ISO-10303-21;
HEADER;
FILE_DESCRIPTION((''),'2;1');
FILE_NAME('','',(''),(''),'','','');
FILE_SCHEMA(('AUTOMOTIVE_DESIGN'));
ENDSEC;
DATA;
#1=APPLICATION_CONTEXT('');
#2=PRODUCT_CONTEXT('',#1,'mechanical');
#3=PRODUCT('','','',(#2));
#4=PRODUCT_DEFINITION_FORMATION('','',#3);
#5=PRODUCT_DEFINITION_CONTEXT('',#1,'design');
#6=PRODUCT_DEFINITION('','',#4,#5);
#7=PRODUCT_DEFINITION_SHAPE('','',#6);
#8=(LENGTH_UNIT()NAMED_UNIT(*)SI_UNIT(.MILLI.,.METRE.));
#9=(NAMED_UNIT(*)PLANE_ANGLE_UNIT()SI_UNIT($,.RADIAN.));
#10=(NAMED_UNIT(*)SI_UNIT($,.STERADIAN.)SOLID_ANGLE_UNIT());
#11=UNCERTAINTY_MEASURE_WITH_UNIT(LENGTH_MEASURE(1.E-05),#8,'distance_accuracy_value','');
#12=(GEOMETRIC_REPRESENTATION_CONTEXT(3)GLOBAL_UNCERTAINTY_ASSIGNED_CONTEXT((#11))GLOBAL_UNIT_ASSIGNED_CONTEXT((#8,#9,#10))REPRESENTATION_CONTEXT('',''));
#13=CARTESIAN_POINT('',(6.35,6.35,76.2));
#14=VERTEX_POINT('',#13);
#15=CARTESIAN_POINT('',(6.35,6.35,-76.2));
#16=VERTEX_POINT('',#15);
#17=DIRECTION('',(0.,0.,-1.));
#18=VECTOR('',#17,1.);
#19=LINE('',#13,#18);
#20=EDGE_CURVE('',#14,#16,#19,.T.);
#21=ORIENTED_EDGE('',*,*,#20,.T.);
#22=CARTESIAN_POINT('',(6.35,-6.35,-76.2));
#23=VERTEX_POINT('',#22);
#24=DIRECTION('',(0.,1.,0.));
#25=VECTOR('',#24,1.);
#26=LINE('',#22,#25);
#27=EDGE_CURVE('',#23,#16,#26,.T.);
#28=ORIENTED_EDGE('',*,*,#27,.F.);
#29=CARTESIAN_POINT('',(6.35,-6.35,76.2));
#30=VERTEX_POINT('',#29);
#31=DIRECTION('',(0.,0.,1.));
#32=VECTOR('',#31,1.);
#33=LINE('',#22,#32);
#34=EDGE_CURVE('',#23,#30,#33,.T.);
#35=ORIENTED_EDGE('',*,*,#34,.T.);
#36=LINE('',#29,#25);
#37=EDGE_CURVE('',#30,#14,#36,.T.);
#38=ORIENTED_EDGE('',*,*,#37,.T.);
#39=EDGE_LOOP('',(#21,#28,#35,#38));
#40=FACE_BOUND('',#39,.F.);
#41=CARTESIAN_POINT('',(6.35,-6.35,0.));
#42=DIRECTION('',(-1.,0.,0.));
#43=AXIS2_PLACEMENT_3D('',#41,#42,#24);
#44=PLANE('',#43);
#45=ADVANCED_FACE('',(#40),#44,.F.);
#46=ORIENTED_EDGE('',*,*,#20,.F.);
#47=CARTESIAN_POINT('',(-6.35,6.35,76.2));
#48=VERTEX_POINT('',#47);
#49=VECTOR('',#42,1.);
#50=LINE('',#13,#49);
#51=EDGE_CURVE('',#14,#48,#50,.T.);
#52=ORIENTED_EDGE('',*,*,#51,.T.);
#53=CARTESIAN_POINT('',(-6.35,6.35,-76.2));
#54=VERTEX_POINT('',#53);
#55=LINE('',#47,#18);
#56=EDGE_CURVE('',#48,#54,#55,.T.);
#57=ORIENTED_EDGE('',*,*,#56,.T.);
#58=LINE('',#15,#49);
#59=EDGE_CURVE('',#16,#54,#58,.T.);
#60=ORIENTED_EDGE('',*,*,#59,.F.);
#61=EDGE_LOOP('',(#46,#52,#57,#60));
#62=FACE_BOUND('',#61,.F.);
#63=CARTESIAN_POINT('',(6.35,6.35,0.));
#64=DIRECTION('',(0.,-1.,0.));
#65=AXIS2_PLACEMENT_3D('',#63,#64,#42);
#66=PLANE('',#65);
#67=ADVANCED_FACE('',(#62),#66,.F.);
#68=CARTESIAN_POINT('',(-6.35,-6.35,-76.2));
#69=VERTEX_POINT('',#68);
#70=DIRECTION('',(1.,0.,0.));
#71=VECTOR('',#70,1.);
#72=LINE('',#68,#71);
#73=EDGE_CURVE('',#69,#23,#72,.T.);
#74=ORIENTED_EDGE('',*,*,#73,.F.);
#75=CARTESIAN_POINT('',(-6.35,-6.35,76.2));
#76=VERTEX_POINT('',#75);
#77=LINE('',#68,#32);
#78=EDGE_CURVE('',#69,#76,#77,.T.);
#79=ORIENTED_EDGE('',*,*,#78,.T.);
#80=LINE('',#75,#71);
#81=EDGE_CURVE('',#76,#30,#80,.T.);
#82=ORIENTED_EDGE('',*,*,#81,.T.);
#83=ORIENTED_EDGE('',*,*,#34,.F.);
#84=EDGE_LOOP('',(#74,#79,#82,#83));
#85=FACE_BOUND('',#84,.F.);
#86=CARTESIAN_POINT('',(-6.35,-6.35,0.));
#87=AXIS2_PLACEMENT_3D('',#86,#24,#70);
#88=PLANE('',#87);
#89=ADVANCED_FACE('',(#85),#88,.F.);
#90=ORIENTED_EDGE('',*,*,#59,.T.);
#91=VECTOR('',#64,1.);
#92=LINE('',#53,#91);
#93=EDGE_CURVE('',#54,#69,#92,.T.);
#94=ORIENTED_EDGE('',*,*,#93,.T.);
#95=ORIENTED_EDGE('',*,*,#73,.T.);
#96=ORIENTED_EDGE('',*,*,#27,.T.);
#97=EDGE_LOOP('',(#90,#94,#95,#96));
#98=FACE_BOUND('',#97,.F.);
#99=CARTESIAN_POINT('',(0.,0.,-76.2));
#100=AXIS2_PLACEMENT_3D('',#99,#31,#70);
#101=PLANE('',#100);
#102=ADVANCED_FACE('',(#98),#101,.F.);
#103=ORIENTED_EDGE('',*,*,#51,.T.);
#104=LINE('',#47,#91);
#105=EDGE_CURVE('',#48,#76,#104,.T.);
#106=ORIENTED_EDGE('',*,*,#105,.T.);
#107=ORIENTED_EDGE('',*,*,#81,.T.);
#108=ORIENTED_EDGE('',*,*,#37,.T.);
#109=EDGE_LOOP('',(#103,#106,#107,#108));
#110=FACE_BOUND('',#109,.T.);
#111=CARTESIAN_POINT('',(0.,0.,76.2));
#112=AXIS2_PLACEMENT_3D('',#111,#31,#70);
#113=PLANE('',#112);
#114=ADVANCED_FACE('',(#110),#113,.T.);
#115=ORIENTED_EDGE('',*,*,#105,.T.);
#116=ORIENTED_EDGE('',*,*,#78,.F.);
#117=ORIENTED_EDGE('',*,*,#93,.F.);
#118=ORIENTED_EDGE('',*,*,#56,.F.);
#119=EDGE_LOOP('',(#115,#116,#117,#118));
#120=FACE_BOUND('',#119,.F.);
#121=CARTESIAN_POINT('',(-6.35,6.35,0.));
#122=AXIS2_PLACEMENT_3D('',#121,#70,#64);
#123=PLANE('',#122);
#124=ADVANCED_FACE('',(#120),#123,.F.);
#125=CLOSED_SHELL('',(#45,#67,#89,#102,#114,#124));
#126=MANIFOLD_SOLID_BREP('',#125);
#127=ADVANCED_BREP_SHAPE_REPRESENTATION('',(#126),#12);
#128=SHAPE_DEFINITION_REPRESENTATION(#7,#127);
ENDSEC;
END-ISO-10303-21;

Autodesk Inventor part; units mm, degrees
ref_plane "YZ Plane" through (0, 0, 0) normal (1, 0, 0) x (0, 1, 0)
ref_plane "XZ Plane" through (0, 0, 0) normal (0, 1, 0) x (-1, 0, 0)
ref_plane "XY Plane" through (0, 0, 0) normal (0, 0, 1) x (1, 0, 0)
sketch "Sketch1" plane through (0, 0, 0) normal (0, 0, 1) x (1, 0, 0)
  line L0 (-6.35, -6.35) -> (6.35, -6.35)
  line L1 (6.35, -6.35) -> (6.35, 6.35)
  line L2 (6.35, 6.35) -> (-6.35, 6.35)
  line L3 (-6.35, 6.35) -> (-6.35, -6.35)
  point P0 (0, 0)
  point P1 (6.35, 0)
  point P2 (0, -6.35)
  dimension "d0" = 12.7
  dimension "d1" = 12.7
extrude "Extrusion1" add sketch "Sketch1" along normal mid plane 152.4
properties part number "Side Spacer" material "Wood (Cherry)"
